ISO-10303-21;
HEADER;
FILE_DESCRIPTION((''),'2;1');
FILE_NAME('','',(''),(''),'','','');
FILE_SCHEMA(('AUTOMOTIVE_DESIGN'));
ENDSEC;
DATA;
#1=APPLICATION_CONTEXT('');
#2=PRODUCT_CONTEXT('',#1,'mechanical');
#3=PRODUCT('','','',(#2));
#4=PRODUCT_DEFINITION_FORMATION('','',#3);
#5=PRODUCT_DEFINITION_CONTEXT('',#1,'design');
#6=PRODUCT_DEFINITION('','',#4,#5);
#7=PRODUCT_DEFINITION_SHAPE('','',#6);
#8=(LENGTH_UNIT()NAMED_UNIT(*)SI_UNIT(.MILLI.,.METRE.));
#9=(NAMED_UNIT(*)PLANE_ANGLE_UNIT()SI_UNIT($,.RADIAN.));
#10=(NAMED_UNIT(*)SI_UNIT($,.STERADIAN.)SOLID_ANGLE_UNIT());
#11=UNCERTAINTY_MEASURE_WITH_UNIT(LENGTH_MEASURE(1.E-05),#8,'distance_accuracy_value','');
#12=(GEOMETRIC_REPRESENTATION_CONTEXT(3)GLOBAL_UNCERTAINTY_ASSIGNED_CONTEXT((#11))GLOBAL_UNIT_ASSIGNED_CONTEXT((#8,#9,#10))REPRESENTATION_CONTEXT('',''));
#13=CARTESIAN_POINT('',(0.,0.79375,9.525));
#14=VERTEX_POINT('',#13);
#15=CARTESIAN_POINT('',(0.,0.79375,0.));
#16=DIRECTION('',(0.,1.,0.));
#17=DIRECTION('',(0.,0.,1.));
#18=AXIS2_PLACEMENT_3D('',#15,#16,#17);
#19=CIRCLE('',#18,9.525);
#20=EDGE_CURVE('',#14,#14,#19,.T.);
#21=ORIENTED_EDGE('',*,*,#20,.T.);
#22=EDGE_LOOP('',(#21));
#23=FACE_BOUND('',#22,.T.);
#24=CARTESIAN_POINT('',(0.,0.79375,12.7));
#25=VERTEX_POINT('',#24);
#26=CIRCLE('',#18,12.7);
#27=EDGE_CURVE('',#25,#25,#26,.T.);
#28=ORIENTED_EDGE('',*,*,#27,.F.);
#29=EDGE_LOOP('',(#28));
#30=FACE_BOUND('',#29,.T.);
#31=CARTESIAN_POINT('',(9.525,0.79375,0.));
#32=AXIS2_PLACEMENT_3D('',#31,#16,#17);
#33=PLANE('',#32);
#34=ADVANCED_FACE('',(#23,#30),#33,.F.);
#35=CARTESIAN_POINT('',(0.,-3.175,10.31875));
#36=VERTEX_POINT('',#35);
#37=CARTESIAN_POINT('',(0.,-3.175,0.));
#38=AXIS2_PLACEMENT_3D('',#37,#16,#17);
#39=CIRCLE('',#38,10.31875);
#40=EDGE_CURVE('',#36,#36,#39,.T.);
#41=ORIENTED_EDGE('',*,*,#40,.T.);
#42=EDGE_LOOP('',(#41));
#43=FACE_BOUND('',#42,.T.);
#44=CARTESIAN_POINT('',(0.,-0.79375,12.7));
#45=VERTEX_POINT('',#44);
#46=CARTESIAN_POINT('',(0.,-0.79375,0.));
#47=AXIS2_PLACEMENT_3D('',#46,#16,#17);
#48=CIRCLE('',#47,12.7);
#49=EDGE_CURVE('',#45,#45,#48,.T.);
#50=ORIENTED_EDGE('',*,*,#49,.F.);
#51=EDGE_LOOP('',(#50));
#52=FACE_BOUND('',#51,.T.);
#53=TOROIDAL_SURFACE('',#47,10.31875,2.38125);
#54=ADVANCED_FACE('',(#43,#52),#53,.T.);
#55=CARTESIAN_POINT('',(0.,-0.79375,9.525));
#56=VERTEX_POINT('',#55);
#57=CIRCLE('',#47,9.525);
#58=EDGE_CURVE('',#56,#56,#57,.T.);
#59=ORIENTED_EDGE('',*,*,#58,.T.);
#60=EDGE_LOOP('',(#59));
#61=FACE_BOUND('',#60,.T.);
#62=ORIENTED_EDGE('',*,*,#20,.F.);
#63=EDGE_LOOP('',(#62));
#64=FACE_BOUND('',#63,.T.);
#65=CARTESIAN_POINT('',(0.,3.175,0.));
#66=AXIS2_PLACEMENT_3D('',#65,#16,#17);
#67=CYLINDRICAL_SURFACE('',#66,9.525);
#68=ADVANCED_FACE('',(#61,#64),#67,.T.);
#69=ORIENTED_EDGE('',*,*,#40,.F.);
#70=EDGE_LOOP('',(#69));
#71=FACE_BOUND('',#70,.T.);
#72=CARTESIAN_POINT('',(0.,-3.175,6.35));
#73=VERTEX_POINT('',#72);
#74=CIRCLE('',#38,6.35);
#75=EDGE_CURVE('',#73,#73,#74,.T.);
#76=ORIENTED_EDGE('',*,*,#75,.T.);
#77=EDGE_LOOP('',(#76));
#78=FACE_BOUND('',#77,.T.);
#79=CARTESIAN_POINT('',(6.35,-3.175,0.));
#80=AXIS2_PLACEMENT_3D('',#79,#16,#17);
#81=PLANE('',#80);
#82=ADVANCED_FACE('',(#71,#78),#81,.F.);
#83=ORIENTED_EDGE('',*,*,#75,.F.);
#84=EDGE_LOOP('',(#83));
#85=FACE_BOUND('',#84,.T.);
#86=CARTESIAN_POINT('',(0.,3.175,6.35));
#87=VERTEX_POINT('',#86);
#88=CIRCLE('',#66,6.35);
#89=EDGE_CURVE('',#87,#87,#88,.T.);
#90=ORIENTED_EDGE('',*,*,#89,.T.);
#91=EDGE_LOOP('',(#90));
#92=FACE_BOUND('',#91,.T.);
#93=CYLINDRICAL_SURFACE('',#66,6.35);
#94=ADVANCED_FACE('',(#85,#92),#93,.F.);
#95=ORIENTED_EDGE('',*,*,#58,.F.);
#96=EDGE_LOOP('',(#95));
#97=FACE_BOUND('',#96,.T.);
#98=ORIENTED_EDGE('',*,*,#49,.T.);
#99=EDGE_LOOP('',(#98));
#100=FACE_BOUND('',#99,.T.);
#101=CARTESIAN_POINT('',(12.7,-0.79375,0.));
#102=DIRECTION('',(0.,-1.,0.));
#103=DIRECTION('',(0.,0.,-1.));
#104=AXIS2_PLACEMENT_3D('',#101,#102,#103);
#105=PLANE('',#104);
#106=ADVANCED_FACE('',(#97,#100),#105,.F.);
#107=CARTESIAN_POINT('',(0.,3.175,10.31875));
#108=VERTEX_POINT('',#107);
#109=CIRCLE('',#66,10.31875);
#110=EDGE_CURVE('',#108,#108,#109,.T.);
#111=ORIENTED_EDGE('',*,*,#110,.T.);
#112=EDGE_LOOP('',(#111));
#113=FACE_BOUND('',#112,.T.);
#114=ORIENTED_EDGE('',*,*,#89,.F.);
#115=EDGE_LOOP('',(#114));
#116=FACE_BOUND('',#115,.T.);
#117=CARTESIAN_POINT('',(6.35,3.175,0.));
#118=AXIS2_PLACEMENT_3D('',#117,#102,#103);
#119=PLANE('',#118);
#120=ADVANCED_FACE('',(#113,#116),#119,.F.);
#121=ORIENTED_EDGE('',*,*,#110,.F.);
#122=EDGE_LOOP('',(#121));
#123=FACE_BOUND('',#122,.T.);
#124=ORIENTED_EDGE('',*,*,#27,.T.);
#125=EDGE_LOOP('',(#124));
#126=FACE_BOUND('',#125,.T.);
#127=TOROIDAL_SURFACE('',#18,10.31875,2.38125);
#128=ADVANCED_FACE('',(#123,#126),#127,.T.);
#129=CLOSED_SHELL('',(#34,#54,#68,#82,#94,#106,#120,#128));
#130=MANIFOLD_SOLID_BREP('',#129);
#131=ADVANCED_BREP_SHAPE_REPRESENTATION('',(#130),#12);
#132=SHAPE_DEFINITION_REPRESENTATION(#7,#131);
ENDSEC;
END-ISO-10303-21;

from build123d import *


with BuildPart() as part:
    # Sketch2 → Revolve1 (revolve)
    with BuildSketch(Plane.XY):
        with BuildLine():
            Line((9.525, 0.79375), (12.7, 0.79375))
            ThreePointArc((12.7, 0.79375), (12.002548023, 2.477548023), (10.31875, 3.175))
            Line((10.31875, 3.175), (6.35, 3.175))
            Line((6.35, 3.175), (6.35, -3.175))
            Line((6.35, -3.175), (10.31875, -3.175))
            ThreePointArc((10.31875, -3.175), (12.002548023, -2.477548023), (12.7, -0.79375))
            Line((12.7, -0.79375), (9.525, -0.79375))
            Line((9.525, -0.79375), (9.525, 0.79375))
        make_face()
    revolve(axis=Axis((0, 3.175, 0), (0, -1, 0)))


solid = part.part
